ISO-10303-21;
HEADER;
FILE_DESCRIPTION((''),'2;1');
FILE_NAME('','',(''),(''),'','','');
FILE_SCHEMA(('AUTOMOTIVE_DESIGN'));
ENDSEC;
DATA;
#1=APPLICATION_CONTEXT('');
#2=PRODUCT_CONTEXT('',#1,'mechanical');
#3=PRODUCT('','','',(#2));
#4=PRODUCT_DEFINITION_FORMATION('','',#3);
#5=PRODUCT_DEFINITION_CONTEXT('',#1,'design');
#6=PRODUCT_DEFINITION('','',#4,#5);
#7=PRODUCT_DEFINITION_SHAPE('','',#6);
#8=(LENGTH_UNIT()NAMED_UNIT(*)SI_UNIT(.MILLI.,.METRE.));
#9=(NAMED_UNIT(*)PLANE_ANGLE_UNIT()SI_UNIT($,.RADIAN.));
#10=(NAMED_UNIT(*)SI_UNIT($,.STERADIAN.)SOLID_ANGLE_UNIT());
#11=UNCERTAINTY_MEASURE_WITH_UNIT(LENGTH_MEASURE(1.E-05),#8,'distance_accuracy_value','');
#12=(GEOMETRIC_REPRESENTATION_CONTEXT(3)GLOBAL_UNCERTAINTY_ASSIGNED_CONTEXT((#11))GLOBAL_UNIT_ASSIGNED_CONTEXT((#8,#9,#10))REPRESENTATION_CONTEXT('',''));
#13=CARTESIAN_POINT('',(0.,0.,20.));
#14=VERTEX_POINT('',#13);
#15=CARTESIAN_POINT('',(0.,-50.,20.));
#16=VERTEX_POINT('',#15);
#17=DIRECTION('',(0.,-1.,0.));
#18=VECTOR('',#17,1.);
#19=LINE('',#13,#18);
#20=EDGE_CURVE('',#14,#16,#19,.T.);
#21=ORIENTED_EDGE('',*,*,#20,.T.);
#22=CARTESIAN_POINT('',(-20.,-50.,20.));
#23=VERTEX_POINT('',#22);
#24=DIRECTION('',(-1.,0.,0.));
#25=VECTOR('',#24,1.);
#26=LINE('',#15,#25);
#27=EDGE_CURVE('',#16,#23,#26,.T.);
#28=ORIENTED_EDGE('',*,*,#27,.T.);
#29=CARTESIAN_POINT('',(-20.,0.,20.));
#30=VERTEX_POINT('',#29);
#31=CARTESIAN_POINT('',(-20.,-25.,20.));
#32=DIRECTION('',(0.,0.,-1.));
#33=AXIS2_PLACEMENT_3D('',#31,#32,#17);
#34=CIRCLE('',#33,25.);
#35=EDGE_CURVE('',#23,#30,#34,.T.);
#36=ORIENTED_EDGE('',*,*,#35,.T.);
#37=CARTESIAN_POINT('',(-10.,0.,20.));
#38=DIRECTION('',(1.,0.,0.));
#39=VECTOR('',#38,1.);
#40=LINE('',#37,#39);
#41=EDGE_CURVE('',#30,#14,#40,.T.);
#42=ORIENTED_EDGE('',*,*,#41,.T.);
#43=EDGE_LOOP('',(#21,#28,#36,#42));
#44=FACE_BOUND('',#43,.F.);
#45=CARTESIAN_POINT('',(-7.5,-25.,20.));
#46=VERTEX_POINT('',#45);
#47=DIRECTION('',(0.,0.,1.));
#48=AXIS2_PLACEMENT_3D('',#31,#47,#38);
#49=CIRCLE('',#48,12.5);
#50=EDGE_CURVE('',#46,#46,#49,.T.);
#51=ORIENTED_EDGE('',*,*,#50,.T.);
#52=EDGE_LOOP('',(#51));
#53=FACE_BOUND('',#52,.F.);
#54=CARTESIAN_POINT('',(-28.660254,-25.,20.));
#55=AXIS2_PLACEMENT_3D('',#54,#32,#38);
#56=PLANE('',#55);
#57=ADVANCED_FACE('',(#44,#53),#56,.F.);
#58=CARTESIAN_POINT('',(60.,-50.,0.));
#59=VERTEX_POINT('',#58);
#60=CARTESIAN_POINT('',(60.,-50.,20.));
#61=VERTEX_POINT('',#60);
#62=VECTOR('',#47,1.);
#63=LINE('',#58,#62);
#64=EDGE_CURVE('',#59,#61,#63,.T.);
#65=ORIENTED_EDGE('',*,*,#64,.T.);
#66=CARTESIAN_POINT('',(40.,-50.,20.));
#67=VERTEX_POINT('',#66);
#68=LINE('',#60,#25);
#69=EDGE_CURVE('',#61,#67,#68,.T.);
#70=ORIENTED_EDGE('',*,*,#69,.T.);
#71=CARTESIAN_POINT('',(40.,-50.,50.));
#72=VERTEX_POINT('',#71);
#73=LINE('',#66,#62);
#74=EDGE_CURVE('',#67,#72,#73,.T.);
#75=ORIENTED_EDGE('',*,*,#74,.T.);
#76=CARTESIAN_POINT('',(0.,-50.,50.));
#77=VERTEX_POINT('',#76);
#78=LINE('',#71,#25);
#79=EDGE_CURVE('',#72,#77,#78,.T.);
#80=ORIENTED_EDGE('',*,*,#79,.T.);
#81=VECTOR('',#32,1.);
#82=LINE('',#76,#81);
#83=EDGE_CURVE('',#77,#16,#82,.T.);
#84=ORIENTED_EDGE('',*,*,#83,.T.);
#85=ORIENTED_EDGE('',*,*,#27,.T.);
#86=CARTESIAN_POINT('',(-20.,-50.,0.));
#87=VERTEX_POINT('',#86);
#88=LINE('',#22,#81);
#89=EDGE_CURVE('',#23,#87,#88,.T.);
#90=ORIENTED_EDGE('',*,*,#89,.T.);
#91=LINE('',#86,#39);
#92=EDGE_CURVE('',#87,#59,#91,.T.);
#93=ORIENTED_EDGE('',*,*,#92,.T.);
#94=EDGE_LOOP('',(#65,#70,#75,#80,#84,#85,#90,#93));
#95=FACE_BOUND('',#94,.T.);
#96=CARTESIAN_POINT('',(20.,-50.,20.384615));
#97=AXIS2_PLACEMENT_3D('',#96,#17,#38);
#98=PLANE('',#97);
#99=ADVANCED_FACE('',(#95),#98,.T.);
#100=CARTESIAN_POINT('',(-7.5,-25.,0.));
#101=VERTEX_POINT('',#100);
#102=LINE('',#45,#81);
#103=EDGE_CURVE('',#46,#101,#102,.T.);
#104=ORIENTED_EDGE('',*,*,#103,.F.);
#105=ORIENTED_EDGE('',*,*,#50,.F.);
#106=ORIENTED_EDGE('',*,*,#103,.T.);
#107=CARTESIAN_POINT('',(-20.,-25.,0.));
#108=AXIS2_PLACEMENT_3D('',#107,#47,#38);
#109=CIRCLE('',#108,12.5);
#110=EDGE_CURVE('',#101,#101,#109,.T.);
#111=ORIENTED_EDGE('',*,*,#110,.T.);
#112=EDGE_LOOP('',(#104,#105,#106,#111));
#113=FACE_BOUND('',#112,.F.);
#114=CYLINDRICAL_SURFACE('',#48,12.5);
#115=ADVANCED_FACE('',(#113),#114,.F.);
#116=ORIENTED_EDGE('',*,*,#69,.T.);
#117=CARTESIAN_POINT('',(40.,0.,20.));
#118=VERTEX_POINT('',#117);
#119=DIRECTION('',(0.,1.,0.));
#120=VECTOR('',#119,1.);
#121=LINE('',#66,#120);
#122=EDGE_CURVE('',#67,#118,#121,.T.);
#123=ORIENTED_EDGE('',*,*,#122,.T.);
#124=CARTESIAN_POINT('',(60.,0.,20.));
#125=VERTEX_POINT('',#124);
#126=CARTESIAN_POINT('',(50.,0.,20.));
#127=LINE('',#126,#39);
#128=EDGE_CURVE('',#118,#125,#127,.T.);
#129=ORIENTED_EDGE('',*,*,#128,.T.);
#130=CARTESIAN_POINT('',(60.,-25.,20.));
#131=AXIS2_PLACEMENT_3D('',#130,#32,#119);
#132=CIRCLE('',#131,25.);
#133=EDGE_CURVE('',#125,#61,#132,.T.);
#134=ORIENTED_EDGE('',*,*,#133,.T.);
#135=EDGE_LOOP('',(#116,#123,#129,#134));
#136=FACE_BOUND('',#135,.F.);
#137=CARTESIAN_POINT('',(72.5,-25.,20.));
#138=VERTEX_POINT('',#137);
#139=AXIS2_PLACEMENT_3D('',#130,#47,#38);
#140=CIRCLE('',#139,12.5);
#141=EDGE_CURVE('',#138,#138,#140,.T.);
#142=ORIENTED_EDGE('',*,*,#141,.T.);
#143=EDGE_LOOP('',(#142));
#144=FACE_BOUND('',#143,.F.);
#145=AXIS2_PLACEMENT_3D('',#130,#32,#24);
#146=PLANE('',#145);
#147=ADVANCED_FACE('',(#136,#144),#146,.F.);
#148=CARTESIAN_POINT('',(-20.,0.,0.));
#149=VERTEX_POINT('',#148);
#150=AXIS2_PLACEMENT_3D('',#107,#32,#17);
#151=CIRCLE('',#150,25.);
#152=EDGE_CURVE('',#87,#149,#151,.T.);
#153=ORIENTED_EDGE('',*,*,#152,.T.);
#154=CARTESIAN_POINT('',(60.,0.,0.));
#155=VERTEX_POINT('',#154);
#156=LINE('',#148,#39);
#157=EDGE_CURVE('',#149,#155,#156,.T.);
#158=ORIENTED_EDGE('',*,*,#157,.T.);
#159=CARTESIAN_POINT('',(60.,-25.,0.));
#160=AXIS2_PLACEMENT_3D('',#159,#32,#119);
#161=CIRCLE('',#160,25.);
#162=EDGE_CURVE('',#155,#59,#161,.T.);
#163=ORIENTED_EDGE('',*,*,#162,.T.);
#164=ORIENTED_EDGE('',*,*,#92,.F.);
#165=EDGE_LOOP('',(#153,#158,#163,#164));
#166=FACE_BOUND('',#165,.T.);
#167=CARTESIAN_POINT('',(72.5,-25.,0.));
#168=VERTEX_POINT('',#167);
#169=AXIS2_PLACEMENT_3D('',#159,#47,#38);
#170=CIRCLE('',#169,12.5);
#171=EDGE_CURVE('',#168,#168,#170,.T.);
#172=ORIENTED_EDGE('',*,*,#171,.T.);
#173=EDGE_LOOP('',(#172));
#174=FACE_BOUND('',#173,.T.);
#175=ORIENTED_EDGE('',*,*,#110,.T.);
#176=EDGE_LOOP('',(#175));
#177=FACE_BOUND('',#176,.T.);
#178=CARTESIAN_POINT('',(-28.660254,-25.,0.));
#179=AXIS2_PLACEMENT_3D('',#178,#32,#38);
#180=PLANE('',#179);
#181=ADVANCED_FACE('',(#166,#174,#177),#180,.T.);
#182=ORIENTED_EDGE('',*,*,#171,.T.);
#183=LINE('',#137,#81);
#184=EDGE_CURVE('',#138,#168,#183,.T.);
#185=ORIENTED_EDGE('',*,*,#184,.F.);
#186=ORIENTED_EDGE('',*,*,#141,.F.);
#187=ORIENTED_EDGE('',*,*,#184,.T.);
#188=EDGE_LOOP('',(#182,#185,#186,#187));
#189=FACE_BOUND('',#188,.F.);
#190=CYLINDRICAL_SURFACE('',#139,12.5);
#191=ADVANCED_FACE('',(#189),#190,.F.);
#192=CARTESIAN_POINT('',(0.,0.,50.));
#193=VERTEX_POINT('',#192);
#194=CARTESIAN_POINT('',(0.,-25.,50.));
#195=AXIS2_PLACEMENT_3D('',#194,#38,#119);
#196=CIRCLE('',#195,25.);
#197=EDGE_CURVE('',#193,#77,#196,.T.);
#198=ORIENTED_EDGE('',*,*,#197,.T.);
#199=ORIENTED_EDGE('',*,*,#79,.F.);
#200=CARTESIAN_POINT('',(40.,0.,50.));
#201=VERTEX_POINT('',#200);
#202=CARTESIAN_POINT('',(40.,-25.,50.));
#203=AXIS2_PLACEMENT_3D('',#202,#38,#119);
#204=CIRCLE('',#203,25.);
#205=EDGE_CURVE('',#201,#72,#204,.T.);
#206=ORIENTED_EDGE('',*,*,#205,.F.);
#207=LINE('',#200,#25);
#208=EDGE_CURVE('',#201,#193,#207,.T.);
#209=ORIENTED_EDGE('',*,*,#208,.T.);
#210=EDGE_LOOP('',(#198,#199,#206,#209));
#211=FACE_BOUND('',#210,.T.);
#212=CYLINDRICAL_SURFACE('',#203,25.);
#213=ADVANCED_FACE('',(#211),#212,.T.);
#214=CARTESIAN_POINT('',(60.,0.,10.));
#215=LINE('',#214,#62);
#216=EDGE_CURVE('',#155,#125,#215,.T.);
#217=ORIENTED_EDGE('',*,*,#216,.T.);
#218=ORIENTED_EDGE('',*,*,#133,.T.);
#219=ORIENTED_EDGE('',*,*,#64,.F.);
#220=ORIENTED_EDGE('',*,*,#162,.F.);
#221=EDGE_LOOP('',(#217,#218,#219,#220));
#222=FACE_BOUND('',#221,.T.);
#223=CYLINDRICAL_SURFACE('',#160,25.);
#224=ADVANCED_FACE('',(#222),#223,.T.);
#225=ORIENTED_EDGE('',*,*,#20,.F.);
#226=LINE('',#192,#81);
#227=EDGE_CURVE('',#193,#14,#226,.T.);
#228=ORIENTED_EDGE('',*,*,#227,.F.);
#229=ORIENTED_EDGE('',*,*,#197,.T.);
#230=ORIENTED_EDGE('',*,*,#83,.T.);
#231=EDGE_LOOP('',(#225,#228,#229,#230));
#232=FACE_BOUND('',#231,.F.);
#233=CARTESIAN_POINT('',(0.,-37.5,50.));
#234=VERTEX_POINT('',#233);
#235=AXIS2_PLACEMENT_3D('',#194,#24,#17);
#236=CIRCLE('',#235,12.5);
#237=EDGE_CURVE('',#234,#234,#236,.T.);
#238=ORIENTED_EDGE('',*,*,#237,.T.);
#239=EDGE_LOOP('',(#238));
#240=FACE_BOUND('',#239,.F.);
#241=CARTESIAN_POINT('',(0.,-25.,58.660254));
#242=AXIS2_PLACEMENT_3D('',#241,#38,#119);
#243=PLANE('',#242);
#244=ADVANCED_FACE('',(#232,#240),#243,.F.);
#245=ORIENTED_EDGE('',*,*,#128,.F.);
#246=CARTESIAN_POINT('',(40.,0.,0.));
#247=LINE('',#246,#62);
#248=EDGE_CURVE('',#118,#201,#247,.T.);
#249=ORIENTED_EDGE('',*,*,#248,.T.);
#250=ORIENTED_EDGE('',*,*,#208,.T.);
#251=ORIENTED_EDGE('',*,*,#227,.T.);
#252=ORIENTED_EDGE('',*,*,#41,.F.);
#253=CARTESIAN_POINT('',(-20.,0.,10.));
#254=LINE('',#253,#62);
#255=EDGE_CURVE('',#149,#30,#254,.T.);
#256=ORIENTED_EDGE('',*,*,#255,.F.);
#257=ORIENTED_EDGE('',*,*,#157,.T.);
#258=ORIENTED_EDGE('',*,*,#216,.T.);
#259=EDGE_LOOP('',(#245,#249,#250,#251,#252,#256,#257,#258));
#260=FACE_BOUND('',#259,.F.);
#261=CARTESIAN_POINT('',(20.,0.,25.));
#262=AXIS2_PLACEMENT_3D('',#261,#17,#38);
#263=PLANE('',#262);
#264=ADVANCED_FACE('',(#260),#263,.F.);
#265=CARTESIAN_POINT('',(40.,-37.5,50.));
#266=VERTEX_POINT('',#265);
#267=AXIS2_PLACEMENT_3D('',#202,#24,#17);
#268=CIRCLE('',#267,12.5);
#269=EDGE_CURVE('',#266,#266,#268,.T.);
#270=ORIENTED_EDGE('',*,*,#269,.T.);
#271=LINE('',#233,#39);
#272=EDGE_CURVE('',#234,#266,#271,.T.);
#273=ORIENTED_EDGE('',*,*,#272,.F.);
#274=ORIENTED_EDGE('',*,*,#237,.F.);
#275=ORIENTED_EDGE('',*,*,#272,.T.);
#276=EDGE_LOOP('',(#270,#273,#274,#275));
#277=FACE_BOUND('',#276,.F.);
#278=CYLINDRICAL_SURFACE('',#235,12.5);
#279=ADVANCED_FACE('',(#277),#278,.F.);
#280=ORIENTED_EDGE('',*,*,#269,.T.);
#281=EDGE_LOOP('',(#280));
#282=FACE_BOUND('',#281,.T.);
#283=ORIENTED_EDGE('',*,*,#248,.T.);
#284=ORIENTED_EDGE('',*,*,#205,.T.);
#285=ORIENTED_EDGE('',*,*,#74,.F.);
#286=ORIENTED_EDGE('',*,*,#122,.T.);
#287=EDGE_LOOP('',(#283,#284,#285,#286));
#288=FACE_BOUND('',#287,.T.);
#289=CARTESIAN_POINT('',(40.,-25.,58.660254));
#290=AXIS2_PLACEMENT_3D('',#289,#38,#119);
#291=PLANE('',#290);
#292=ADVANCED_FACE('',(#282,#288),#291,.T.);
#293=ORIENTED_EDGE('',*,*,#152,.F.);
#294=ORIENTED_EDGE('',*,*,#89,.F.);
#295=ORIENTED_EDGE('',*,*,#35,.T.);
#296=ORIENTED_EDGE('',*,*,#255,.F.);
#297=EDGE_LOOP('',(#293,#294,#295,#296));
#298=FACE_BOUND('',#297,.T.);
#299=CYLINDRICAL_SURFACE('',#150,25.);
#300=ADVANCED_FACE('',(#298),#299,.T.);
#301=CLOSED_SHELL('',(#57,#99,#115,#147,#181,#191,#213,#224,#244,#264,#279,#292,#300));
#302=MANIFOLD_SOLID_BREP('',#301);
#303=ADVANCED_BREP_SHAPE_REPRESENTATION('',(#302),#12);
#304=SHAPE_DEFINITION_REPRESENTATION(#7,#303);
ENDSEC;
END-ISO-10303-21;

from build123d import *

# Parameters (mm, degrees)
F0_W      = 20
F0_H      = 20
F1_DEPTH  = 25
F2_DEPTH  = 25
F4_DEPTH  = 20
F6_DEPTH  = 40
F7_R      = 12.5
F8_DEPTH  = 25
F9_R      = 12.5
F10_DEPTH = 25
F11_R     = 12.5
F12_DEPTH = 85.001


with BuildPart() as f1:
    # F0 (on Front) → F1 (new body)
    with BuildSketch(Plane.XZ):
        Polygon((0, 20), (0, 0), (40, 0), (40, 20), (40, 50), (0, 50), align=None)
        with Locations((-10, 10)):
            Rectangle(F0_W, F0_H)
        with Locations((50, 10)):
            Rectangle(F0_W, F0_H)
    extrude(amount=F1_DEPTH)

    # F1_face (on face) → F2 (join)
    with BuildSketch(Plane(origin=(20, -25, 20.714286), x_dir=(1, 0, 0), z_dir=(0, -1, 0))):
        Polygon((-20, 29.285714), (-20, -0.714286), (-40, -0.714286), (-40, -20.714286), (40, -20.714286), (40, -0.714286), (20, -0.714286), (20, 29.285714), align=None)
    extrude(amount=F2_DEPTH)

    # F3 (on face) → F4 (join)
    with BuildSketch(Plane(origin=(0, 0, 0), x_dir=(1, 0, 0), z_dir=(0, 0, -1))):
        with BuildLine():
            ThreePointArc((-20, 50), (-45, 25), (-20, 0))
            Line((-20, 0), (-20, 50))
        make_face()
        with BuildLine():
            Line((60, 50), (60, 0))
            ThreePointArc((60, 0), (85, 25), (60, 50))
        make_face()
    extrude(amount=-F4_DEPTH)

    # F5 (on face) → F6 (join)
    with BuildSketch(Plane.YZ.offset(40)):
        with BuildLine():
            Line((-50, 50), (0, 50))
            ThreePointArc((0, 50), (-25, 75), (-50, 50))
        make_face()
    extrude(amount=-F6_DEPTH)

    # F7 (on face) → F8 (cut)
    with BuildSketch(Plane.XY.offset(20)):
        with Locations((60, -25)):
            Circle(F7_R)
    extrude(amount=-F8_DEPTH, mode=Mode.SUBTRACT)

    # F9 (on face) → F10 (cut)
    with BuildSketch(Plane.XY.offset(20)):
        with Locations((-20, -25)):
            Circle(F9_R)
    extrude(amount=-F10_DEPTH, mode=Mode.SUBTRACT)

    # F11 (on face) → F12 (cut, through all)
    with BuildSketch(Plane(origin=(0, 0, 0), x_dir=(0, -1, 0), z_dir=(-1, 0, 0))):
        with Locations((25, 50)):
            Circle(F11_R)
    extrude(amount=-F12_DEPTH, mode=Mode.SUBTRACT)


solid = f1.part
